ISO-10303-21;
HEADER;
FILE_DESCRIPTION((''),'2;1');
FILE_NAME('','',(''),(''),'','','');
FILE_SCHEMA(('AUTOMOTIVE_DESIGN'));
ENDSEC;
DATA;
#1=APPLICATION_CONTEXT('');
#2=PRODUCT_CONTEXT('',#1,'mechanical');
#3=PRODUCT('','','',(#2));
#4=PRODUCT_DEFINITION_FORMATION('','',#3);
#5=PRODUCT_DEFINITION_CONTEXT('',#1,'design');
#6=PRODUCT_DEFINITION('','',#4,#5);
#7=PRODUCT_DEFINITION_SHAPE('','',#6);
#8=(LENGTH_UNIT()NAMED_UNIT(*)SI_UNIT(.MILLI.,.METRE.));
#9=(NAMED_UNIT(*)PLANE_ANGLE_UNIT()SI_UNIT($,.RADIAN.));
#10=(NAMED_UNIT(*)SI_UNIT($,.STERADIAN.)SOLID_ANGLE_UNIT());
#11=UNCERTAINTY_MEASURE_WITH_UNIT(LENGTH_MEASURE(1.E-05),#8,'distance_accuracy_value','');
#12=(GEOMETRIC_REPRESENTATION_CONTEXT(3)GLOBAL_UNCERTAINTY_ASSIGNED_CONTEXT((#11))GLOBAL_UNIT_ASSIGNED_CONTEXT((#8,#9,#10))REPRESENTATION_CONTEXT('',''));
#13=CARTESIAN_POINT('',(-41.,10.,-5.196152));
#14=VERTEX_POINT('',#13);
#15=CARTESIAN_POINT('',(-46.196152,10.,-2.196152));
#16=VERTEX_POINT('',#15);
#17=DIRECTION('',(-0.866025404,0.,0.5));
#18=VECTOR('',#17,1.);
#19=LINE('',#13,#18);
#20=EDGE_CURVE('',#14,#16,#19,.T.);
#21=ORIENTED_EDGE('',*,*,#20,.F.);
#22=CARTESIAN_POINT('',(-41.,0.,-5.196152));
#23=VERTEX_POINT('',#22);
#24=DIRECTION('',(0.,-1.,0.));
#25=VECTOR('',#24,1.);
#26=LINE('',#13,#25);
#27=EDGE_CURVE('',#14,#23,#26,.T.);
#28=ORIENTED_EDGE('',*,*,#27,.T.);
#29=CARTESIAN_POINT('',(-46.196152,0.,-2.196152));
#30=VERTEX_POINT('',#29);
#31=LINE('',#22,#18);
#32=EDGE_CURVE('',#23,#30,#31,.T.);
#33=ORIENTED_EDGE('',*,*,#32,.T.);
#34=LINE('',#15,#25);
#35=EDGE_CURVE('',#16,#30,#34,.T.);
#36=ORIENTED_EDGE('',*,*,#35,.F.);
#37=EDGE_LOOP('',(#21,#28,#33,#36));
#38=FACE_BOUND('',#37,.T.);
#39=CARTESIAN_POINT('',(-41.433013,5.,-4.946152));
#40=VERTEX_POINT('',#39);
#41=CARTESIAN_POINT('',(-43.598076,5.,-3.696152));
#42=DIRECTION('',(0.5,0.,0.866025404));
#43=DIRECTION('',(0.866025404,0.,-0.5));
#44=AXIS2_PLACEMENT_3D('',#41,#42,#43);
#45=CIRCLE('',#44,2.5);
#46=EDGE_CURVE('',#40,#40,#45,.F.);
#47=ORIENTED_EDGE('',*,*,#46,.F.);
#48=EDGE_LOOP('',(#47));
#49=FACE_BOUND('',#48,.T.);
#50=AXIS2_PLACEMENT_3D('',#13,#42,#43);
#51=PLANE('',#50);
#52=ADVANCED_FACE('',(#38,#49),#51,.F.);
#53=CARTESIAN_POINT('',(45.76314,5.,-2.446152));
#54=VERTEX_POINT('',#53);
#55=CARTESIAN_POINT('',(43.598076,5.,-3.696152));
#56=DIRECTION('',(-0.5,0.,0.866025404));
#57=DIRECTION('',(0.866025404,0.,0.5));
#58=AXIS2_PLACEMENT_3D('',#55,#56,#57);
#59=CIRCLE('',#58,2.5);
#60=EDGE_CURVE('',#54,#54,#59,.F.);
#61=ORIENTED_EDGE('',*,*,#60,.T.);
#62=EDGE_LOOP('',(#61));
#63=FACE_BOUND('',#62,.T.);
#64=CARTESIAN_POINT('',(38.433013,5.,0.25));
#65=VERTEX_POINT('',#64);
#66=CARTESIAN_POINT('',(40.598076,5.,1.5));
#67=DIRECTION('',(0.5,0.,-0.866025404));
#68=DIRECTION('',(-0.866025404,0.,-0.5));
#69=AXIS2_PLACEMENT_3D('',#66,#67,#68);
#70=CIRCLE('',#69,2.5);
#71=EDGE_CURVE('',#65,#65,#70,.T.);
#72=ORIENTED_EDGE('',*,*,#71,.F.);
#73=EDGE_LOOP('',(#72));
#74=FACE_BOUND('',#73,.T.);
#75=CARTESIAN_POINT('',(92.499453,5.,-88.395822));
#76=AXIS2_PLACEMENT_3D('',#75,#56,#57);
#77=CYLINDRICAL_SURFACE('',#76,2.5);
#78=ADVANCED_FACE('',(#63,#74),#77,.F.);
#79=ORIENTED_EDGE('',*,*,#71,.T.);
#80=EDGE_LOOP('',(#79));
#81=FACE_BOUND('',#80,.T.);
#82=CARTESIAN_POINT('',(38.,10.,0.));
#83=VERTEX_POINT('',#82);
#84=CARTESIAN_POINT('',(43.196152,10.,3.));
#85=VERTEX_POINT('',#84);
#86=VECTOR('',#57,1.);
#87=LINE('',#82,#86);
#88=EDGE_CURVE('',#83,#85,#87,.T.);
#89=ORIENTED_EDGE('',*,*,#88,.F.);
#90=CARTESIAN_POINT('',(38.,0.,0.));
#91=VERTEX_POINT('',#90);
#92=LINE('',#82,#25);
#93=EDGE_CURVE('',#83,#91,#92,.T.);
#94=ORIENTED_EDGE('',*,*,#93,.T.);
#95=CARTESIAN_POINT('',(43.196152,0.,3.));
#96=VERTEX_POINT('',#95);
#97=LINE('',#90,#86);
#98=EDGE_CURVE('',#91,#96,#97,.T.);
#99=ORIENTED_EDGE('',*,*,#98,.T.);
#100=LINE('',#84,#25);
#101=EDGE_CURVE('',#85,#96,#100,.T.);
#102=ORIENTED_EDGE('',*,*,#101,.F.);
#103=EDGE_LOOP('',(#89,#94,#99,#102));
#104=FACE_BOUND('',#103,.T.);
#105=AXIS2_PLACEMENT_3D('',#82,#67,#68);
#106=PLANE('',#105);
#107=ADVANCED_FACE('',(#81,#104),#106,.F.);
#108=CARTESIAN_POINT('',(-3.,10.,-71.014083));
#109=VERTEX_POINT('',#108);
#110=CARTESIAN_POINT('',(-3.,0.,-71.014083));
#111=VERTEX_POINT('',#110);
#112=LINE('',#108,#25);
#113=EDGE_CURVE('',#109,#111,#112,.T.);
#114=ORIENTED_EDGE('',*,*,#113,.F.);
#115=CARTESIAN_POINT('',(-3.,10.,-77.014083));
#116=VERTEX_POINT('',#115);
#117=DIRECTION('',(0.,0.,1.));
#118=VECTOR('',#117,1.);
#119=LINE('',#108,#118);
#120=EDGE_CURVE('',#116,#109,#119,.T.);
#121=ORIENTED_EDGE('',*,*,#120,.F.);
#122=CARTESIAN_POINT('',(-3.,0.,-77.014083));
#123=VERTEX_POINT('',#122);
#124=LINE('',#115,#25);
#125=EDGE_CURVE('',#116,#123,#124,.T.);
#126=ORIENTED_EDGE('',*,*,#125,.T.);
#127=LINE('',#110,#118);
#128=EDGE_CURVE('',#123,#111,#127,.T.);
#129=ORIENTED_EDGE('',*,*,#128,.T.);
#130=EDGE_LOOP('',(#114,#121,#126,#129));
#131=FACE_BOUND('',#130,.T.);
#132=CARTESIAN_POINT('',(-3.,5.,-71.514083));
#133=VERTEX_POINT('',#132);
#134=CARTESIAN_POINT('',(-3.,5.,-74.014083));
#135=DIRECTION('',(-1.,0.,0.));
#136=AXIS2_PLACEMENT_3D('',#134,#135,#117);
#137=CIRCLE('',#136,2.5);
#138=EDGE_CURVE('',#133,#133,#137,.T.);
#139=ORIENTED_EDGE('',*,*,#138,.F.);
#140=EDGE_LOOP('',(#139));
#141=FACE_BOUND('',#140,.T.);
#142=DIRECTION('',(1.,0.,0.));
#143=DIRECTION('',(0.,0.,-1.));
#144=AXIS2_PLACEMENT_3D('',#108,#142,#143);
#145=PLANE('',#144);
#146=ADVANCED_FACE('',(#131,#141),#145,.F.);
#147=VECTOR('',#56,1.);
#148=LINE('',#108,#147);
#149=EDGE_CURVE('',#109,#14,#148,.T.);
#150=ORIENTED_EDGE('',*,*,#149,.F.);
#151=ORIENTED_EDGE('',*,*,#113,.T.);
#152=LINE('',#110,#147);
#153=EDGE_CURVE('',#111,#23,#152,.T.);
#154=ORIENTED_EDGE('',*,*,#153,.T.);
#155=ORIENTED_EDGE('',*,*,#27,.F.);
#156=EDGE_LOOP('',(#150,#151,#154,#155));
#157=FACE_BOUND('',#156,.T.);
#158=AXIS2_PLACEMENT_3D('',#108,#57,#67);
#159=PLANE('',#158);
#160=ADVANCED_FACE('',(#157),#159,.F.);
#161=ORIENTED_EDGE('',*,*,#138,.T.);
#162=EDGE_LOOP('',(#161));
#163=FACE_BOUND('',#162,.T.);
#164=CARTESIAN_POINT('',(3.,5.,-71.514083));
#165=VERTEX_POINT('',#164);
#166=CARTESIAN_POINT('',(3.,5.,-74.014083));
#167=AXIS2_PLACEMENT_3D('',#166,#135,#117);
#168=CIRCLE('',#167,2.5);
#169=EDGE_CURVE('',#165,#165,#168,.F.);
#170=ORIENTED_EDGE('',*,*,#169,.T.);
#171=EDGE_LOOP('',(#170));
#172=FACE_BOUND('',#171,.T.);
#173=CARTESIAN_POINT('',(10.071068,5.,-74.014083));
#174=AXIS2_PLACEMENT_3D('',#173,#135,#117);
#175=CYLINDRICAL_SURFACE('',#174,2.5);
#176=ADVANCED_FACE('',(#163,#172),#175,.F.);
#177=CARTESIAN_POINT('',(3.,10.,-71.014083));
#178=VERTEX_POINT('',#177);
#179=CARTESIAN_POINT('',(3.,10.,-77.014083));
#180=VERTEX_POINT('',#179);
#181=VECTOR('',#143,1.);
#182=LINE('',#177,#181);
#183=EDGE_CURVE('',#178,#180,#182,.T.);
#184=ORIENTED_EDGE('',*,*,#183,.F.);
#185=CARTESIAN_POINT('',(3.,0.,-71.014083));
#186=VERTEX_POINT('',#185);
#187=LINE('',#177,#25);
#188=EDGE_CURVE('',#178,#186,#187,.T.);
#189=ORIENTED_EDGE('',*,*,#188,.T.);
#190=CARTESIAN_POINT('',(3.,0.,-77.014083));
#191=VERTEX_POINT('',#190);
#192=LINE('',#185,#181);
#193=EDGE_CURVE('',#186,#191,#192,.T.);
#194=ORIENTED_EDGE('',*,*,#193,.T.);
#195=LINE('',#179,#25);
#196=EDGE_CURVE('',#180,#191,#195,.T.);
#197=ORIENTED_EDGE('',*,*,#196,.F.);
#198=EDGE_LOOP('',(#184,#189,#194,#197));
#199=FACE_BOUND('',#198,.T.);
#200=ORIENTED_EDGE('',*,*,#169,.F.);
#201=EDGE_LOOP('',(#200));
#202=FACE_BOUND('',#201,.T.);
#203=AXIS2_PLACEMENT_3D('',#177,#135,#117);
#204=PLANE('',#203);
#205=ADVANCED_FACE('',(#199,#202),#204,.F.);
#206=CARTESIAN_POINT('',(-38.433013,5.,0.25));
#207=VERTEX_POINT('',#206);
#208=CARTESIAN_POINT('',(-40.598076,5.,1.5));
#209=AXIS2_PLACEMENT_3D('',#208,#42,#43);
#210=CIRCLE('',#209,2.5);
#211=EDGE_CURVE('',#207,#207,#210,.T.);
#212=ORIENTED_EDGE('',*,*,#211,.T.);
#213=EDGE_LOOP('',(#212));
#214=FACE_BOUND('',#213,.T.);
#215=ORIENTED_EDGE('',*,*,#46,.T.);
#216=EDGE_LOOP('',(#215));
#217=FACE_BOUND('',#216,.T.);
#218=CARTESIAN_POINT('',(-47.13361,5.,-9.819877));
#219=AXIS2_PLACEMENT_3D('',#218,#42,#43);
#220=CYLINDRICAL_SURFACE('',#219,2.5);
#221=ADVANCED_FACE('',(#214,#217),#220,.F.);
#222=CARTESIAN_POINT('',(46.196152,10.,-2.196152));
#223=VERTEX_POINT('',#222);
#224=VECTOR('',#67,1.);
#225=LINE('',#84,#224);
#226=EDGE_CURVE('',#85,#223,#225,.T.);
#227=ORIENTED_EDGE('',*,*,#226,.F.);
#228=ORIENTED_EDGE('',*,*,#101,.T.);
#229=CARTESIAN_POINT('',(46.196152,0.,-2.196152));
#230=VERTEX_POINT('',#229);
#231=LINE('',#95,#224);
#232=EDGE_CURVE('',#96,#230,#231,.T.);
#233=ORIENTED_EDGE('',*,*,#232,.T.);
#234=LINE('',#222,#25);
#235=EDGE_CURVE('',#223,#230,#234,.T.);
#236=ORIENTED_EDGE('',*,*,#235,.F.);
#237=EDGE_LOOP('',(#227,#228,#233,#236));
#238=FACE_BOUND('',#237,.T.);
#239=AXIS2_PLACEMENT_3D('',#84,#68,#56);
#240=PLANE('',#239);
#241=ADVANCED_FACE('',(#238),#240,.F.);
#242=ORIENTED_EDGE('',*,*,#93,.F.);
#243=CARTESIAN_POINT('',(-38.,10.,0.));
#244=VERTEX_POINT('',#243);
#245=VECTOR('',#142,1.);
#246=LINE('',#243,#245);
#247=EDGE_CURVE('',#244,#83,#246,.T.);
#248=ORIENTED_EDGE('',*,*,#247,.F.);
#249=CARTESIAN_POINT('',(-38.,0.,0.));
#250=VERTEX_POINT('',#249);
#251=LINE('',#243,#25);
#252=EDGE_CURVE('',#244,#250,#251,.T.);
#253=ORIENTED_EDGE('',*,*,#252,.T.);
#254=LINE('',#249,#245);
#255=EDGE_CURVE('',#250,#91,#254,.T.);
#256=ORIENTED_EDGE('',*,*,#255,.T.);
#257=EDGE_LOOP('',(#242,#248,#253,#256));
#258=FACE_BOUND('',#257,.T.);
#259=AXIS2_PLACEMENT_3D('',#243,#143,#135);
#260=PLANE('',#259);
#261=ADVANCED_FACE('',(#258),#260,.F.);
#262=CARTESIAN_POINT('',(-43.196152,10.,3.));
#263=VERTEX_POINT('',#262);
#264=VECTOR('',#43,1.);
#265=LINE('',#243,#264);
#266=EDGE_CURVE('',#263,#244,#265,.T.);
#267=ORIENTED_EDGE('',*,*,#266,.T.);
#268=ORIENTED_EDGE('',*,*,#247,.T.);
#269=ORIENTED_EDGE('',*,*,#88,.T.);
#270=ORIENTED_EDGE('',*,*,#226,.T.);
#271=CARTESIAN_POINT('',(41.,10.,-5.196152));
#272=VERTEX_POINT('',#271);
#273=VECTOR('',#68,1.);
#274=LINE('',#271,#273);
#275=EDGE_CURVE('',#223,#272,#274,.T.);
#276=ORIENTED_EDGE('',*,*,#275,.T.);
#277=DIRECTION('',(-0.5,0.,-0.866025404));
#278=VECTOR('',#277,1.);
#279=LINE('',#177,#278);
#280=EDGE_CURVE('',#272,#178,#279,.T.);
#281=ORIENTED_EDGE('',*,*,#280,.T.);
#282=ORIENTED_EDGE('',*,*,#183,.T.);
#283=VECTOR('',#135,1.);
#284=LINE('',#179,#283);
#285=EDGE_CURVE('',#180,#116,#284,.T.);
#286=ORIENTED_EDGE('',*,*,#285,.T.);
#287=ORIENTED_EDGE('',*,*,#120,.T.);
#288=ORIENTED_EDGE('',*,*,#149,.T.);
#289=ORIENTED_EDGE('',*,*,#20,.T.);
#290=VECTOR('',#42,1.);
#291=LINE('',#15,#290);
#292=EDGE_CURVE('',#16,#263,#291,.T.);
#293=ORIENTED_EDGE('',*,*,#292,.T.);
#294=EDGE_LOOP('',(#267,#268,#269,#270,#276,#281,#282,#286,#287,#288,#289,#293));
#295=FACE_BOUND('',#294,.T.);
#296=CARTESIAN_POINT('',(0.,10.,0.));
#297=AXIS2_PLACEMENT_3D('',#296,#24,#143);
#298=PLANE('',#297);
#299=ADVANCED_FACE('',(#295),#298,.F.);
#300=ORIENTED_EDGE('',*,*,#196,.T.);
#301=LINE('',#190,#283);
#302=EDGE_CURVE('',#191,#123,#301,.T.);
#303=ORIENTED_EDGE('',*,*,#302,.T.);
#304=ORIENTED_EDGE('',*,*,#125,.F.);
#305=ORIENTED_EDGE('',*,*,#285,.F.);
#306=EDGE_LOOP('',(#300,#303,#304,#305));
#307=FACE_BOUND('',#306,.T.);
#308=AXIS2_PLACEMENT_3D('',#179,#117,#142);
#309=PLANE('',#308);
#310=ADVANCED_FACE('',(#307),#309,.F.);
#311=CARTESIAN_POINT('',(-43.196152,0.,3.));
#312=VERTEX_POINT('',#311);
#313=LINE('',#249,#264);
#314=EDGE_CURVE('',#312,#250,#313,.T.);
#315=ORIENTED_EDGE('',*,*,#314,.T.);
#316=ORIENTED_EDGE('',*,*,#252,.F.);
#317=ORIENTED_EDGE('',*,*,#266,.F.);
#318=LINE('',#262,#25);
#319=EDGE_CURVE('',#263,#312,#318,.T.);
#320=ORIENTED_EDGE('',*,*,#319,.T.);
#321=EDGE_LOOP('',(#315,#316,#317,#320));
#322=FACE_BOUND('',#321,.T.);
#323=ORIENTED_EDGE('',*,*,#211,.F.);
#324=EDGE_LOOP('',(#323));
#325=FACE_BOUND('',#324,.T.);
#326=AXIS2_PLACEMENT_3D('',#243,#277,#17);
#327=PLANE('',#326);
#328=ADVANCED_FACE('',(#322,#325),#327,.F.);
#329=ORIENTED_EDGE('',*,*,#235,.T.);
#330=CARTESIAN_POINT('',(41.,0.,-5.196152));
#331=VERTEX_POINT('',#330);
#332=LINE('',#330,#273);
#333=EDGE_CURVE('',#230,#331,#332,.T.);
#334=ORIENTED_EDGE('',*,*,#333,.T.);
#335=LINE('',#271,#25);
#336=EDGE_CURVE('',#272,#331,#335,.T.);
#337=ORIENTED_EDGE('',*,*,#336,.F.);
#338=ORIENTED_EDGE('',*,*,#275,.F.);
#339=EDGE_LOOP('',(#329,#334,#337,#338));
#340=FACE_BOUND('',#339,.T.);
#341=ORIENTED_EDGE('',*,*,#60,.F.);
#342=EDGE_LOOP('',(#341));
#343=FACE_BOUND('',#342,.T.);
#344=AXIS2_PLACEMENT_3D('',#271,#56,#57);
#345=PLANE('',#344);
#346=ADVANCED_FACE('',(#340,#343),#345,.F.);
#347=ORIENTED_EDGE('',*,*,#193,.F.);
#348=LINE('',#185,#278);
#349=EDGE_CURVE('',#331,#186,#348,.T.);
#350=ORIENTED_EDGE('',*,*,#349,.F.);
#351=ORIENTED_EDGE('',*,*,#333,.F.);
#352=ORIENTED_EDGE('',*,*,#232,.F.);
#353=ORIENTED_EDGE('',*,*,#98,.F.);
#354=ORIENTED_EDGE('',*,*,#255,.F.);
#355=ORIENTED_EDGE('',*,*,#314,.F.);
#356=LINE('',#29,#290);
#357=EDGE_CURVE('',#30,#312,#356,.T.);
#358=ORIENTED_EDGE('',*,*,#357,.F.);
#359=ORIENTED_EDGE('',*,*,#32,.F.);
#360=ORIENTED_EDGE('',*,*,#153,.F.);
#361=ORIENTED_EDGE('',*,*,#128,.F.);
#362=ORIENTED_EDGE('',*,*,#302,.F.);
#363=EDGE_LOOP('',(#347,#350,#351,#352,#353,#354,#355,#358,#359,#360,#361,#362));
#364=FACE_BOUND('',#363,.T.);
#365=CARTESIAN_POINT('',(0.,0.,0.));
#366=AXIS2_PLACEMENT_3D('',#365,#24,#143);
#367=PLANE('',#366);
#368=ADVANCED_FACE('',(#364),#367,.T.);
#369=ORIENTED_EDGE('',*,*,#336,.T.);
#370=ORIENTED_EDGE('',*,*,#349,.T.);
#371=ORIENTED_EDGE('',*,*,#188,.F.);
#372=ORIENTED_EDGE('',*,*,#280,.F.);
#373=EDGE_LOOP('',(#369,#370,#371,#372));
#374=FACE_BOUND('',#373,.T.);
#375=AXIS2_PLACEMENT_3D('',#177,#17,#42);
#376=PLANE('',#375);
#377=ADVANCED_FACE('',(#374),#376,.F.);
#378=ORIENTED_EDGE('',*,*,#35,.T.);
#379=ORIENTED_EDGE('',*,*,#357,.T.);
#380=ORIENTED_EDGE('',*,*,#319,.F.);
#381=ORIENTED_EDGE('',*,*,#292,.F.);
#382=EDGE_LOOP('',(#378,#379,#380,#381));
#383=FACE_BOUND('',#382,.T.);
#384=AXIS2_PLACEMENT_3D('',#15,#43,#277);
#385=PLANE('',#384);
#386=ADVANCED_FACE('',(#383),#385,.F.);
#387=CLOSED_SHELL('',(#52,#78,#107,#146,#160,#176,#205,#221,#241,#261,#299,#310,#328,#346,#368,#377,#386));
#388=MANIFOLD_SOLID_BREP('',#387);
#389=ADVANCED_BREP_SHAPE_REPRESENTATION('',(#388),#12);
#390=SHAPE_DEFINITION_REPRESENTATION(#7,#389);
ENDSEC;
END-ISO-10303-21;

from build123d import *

# Parameters (mm, degrees)
BOSS_EXTRUDE1_DEPTH = 10
SKETCH2_R           = 2.5
CUT_EXTRUDE1_DEPTH  = 88.866025
SKETCH3_R           = 2.5
CUT_EXTRUDE2_DEPTH  = 6


with BuildPart() as part:
    # Sketch1 → Boss-Extrude1 (new body)
    with BuildSketch(Plane(origin=(0, 0, 0), x_dir=(1, 0, 0), z_dir=(0, 1, 0))):
        Polygon((-3, 71.01408311), (-41, 5.196152423), (-46.196152423, 2.196152423), (-43.196152423, -3), (-38, 0), (38, 0), (43.196152423, -3), (46.196152423, 2.196152423), (41, 5.196152423), (3, 71.01408311), (3, 77.01408311), (-3, 77.01408311), align=None)
    extrude(amount=BOSS_EXTRUDE1_DEPTH)

    # Sketch2 → Cut-Extrude1 (cut)
    with BuildSketch(Plane(origin=(-9.5, 0, -16.454482672), x_dir=(0.866025404, 0, -0.5), z_dir=(0.5, 0, 0.866025404))):
        with Locations((-35.908965344, 5)):
            Circle(SKETCH2_R)
    cut_extrude1 = extrude(amount=-CUT_EXTRUDE1_DEPTH, mode=Mode.SUBTRACT)

    # Mirror6: Cut-Extrude1 across plane
    add(cut_extrude1.mirror(Plane.ZY), mode=Mode.SUBTRACT)

    # Sketch3 → Cut-Extrude2 (cut)
    with BuildSketch(Plane.ZY.offset(3)):
        with Locations((-74.01408311, 5)):
            Circle(SKETCH3_R)
    extrude(amount=-CUT_EXTRUDE2_DEPTH, mode=Mode.SUBTRACT)


solid = part.part
